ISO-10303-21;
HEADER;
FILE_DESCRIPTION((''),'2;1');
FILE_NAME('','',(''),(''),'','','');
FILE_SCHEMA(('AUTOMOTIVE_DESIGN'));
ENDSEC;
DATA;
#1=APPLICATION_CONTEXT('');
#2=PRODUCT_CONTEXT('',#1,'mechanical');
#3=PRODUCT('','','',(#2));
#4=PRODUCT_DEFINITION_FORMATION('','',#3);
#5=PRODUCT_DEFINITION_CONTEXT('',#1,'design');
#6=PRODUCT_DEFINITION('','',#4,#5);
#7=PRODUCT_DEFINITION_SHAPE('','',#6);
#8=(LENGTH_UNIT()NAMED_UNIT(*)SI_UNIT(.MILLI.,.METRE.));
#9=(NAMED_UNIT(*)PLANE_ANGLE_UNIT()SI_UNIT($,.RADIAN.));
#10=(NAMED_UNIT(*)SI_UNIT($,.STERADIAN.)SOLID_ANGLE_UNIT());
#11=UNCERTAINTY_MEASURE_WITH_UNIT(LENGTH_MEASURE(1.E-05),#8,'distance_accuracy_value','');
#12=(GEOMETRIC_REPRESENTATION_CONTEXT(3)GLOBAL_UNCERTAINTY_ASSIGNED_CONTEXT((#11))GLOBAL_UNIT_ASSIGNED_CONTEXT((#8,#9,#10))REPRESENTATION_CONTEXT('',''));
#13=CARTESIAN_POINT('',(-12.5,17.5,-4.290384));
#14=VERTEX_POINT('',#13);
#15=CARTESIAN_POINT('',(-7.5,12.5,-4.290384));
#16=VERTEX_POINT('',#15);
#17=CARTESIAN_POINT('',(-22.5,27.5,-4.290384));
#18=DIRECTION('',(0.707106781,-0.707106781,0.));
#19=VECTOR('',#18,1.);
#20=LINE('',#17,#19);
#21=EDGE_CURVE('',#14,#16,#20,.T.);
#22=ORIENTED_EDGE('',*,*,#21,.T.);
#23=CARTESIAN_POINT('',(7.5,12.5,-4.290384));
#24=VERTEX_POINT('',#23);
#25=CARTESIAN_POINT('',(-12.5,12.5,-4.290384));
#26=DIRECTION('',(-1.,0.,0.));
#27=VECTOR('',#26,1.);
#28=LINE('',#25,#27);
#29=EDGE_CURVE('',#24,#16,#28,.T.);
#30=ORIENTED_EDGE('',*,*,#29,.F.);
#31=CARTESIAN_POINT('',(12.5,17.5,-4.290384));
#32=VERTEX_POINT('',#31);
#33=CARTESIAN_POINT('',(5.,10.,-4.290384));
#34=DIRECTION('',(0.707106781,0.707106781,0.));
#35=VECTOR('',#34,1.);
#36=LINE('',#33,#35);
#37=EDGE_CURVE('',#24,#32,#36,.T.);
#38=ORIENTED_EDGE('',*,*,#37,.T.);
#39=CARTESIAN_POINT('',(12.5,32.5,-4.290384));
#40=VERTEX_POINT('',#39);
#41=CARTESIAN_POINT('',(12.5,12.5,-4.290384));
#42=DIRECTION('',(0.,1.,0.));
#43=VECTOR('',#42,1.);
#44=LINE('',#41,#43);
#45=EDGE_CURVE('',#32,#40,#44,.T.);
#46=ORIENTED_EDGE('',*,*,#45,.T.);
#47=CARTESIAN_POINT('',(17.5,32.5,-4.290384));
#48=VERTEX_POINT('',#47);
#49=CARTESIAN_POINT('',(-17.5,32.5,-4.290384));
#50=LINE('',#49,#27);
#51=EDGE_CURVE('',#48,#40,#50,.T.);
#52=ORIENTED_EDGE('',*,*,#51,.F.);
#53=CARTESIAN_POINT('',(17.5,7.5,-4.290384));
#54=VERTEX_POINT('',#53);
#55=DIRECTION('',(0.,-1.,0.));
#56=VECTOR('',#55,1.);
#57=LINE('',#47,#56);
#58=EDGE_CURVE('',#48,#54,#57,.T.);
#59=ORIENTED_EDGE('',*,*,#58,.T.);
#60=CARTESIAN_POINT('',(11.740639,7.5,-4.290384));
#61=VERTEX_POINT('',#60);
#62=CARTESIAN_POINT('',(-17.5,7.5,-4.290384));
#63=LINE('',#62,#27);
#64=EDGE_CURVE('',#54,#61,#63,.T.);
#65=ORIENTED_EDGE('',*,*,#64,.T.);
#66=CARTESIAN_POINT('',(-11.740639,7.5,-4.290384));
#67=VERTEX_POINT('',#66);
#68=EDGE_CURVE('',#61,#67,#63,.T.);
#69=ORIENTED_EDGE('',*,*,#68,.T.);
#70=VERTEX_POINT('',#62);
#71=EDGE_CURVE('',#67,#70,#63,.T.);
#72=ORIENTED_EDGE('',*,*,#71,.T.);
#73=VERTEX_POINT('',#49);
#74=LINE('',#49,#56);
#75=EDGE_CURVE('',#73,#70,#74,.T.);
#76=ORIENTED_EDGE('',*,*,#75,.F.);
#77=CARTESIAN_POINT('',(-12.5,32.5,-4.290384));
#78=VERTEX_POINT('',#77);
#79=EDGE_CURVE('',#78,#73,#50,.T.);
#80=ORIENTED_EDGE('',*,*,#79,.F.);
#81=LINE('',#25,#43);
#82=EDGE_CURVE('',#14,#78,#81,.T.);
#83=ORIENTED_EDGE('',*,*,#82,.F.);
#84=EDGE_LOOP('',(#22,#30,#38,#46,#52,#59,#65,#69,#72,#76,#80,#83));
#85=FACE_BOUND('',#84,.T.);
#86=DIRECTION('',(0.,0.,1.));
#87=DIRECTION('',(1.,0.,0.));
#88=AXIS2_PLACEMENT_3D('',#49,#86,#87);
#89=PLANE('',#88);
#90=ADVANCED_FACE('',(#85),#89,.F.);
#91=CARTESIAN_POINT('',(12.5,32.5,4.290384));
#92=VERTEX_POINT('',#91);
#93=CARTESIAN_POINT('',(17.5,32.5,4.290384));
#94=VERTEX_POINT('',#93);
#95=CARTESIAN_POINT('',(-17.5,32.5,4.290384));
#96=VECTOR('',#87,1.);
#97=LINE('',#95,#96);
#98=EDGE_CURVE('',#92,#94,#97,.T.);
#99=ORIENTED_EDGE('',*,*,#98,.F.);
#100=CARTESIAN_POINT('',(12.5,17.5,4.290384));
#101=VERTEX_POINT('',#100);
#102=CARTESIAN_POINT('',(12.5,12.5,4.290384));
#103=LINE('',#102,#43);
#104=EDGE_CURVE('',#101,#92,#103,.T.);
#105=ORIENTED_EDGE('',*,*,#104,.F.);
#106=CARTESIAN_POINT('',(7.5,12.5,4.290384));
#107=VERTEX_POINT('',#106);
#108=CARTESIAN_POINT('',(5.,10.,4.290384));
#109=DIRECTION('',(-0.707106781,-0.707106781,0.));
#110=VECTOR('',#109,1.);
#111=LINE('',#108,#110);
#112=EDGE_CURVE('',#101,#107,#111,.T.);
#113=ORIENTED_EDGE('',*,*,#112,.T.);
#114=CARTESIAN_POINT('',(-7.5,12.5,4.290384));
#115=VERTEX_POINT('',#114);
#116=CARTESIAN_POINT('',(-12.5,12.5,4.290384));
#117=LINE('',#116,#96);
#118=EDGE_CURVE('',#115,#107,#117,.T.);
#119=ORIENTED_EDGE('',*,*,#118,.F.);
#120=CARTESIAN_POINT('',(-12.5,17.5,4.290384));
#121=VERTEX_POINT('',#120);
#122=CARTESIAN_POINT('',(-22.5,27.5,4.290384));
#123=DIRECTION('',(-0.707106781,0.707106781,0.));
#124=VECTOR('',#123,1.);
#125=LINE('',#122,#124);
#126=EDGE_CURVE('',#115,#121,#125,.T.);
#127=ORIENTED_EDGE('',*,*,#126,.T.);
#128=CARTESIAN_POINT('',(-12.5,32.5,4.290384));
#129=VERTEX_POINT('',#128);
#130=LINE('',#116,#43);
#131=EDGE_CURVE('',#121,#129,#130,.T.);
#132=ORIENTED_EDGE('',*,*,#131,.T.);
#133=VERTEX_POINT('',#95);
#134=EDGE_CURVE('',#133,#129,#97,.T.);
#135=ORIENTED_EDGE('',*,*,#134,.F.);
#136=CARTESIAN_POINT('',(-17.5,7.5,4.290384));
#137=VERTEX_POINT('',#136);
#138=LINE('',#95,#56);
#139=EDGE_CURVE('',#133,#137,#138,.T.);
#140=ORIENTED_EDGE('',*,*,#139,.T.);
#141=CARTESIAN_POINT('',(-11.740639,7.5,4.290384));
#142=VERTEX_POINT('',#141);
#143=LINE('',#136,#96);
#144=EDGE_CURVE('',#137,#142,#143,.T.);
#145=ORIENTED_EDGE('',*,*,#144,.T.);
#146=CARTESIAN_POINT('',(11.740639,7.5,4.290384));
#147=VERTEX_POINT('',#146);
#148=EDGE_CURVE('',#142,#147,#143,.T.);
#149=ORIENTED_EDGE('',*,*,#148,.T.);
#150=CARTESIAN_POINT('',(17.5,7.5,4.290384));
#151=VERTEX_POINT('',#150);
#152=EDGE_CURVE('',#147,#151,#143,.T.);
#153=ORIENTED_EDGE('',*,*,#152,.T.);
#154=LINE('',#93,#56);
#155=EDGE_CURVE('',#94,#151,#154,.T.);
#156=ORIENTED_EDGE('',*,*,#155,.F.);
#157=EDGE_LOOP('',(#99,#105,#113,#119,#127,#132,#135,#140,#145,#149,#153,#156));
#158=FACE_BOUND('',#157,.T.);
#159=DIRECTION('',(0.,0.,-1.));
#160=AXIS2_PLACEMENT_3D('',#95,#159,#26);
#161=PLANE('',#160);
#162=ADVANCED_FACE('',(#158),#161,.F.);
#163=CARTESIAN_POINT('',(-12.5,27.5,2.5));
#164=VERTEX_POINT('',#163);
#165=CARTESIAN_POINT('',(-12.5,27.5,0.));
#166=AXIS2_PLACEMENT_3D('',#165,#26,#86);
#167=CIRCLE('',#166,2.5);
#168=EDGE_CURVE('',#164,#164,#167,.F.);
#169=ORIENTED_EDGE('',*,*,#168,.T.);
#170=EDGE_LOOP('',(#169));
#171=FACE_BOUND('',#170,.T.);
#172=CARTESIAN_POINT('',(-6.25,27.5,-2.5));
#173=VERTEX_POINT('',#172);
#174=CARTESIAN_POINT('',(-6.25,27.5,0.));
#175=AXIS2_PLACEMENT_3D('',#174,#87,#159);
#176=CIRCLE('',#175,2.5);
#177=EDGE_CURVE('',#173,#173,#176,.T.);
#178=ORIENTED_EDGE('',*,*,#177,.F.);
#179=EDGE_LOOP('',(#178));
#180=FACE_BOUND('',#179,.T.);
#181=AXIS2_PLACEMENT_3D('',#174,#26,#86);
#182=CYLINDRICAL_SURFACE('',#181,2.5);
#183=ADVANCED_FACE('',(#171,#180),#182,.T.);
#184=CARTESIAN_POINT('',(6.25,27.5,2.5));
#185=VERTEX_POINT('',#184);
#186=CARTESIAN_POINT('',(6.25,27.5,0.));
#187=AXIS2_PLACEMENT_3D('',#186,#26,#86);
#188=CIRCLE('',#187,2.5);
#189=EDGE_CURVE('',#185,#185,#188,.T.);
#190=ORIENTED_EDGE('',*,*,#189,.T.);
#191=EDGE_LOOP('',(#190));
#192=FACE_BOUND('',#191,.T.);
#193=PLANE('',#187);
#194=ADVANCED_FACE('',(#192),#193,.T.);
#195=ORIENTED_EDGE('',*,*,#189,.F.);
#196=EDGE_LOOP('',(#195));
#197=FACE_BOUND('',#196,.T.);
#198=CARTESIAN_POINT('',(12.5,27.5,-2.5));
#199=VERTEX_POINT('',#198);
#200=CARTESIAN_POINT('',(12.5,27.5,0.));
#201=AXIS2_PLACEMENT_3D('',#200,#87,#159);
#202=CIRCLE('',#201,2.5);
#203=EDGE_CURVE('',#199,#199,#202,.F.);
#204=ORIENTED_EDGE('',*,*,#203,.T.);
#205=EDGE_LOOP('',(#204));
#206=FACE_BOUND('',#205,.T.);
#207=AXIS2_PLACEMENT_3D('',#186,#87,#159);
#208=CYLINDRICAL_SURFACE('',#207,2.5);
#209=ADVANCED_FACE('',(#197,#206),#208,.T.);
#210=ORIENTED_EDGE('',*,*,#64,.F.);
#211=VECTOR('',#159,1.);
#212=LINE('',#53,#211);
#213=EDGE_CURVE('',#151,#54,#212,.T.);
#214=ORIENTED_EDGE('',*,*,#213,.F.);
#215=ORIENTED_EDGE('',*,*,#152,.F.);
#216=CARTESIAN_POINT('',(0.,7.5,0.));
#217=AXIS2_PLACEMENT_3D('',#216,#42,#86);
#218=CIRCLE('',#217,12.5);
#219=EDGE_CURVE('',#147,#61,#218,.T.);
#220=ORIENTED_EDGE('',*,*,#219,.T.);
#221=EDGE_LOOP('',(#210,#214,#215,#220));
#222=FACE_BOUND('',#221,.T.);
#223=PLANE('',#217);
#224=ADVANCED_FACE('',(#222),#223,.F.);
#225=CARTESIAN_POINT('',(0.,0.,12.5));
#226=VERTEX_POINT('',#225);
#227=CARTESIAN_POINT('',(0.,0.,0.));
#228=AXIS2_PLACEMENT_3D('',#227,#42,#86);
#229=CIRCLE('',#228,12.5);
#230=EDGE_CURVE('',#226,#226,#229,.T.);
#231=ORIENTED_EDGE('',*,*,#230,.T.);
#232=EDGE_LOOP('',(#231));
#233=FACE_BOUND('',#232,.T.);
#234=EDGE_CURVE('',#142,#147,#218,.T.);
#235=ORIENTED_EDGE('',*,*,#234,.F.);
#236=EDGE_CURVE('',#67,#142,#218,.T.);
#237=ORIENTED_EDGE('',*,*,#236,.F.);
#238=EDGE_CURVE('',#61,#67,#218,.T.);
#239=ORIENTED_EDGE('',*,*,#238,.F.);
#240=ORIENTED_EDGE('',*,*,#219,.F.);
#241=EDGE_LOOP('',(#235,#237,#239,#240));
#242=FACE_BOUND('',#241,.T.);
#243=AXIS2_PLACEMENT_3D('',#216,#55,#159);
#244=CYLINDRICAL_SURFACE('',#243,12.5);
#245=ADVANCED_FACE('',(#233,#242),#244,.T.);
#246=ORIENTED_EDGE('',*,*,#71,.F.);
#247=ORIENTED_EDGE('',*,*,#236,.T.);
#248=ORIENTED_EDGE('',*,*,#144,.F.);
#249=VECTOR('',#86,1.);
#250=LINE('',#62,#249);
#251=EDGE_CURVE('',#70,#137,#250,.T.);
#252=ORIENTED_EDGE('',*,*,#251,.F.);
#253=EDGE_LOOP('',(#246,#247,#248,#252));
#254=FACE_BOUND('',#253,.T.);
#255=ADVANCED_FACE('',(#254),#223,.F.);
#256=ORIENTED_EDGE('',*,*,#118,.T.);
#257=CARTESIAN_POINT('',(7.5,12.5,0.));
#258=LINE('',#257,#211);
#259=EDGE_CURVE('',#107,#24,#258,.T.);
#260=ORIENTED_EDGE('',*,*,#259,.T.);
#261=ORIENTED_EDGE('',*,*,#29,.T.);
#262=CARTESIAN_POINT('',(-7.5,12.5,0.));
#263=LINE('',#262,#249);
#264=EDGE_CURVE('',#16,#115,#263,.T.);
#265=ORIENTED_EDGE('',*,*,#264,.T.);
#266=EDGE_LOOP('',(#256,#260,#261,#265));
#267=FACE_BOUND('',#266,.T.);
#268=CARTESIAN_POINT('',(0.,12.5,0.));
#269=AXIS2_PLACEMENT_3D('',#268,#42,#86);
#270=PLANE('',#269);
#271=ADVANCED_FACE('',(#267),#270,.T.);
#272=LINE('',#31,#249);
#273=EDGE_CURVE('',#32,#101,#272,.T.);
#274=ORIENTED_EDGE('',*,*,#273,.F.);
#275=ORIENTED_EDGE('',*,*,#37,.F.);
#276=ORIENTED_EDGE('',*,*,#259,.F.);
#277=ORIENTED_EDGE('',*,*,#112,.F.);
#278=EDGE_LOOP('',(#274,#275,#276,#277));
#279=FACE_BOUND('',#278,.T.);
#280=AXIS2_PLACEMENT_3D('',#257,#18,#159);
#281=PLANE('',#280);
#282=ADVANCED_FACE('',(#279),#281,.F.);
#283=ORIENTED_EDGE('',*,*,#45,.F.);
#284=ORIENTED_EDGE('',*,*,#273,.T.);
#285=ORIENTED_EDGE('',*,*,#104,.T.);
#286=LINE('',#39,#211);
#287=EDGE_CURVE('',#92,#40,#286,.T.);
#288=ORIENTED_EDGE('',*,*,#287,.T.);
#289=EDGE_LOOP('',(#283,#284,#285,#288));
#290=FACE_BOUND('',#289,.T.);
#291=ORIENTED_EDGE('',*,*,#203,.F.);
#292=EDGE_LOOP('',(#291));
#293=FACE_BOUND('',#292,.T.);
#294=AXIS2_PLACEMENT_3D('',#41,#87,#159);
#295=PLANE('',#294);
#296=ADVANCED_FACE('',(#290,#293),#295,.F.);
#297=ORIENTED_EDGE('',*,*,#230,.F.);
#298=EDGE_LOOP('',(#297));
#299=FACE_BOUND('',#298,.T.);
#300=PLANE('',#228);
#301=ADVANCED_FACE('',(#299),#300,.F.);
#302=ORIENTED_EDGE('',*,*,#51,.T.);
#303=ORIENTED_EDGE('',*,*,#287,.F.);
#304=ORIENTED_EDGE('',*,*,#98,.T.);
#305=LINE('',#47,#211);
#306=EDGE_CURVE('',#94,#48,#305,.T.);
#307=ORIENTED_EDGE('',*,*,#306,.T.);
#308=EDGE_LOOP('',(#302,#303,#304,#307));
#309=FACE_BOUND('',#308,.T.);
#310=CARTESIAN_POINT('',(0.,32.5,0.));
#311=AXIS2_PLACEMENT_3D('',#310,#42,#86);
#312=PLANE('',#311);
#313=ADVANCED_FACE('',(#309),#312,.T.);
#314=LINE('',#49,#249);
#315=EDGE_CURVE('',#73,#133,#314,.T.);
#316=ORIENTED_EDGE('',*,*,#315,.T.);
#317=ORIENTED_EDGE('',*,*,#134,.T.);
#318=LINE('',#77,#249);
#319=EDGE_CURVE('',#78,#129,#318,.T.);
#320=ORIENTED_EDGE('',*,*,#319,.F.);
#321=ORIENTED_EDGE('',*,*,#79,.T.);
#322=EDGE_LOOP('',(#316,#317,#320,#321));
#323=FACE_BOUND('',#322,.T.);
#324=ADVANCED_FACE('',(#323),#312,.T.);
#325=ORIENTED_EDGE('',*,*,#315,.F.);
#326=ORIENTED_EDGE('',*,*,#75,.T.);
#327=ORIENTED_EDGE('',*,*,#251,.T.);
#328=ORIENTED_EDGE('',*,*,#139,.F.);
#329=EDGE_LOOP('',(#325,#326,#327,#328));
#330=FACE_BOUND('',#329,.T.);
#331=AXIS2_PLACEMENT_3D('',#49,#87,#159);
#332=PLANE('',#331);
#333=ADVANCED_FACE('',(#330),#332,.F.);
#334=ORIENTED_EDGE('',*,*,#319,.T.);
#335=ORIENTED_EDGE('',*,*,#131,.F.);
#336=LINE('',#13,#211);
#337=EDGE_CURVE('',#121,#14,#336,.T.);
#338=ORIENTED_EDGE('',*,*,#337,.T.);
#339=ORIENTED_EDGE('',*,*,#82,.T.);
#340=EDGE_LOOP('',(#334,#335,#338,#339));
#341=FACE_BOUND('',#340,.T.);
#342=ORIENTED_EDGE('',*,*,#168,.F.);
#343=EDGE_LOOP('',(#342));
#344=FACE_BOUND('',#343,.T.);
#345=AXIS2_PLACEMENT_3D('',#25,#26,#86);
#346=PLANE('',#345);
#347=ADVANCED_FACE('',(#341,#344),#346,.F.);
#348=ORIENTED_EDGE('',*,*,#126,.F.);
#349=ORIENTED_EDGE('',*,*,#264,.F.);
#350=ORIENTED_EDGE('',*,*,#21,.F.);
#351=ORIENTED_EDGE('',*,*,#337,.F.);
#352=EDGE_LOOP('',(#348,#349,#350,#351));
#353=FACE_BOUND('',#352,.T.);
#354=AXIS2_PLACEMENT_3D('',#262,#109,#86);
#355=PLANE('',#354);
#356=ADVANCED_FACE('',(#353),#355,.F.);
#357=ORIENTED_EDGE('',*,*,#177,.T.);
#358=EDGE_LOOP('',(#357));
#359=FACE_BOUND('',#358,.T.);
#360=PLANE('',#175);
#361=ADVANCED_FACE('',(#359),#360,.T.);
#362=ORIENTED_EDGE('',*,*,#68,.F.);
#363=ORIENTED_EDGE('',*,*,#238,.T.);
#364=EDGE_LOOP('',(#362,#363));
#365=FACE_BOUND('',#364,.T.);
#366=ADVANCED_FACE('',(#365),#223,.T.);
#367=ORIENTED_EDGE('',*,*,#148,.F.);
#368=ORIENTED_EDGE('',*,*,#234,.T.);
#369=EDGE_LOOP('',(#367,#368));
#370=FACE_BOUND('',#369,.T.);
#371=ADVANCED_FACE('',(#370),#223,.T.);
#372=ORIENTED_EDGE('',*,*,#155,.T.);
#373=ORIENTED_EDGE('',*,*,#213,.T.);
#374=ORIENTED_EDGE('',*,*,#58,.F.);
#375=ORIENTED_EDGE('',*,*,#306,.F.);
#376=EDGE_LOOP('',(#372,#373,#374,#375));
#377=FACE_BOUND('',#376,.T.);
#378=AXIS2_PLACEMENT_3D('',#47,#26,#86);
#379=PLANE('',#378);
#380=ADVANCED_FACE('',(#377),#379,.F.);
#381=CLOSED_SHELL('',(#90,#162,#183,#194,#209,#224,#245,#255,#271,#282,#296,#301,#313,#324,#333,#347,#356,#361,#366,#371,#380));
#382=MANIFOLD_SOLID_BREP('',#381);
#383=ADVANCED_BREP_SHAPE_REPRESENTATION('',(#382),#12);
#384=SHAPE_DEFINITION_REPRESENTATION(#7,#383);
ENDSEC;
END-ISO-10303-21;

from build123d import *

# Parameters (mm, degrees)
SKETCH1_R           = 12.5
BOSS_EXTRUDE1_DEPTH = 7.5
SKETCH2_W           = 35
SKETCH2_H           = 8.580767914
BOSS_EXTRUDE2_DEPTH = 25
SKETCH3_W           = 25
SKETCH3_H           = 8.580767914
CUT_EXTRUDE1_DEPTH  = 20
SKETCH4_R           = 2.5
BOSS_EXTRUDE3_DEPTH = 6.25
SKETCH5_R           = 2.5
BOSS_EXTRUDE4_DEPTH = 6.25
CHAMFER1_SIZE       = 5
CHAMFER2_SIZE       = 5


with BuildPart() as part:
    # Sketch1 → Boss-Extrude1 (new body)
    with BuildSketch(Plane(origin=(0, 0, 0), x_dir=(1, 0, 0), z_dir=(0, 1, 0))):
        Circle(SKETCH1_R)
    extrude(amount=BOSS_EXTRUDE1_DEPTH)

    # Sketch2 → Boss-Extrude2 (add)
    with BuildSketch(Plane(origin=(0, 7.5, 0), x_dir=(1, 0, 0), z_dir=(0, 1, 0))):
        Rectangle(SKETCH2_W, SKETCH2_H)
    extrude(amount=BOSS_EXTRUDE2_DEPTH)

    # Sketch3 → Cut-Extrude1 (cut)
    with BuildSketch(Plane(origin=(0, 32.5, 0), x_dir=(1, 0, 0), z_dir=(0, 1, 0))):
        Rectangle(SKETCH3_W, SKETCH3_H)
    extrude(amount=-CUT_EXTRUDE1_DEPTH, mode=Mode.SUBTRACT)

    # Sketch4 → Boss-Extrude3 (add)
    with BuildSketch(Plane(origin=(-12.5, 0, 0), x_dir=(0, 0, -1), z_dir=(1, 0, 0))):
        with Locations((0, 27.5)):
            Circle(SKETCH4_R)
    extrude(amount=BOSS_EXTRUDE3_DEPTH)

    # Sketch5 → Boss-Extrude4 (add)
    with BuildSketch(Plane.ZY.offset(-12.5)):
        with Locations((0, 27.5)):
            Circle(SKETCH5_R)
    extrude(amount=BOSS_EXTRUDE4_DEPTH)

    # Chamfer1
    chamfer1_edges = [part.edges().sort_by_distance(p)[0] for p in [
        (-12.5, 12.5, 0),
    ]]
    chamfer(chamfer1_edges, length=CHAMFER1_SIZE)

    # Chamfer2
    chamfer2_edges = [part.edges().sort_by_distance(p)[0] for p in [
        (12.5, 12.5, 0),
    ]]
    chamfer(chamfer2_edges, length=CHAMFER2_SIZE)


solid = part.part
